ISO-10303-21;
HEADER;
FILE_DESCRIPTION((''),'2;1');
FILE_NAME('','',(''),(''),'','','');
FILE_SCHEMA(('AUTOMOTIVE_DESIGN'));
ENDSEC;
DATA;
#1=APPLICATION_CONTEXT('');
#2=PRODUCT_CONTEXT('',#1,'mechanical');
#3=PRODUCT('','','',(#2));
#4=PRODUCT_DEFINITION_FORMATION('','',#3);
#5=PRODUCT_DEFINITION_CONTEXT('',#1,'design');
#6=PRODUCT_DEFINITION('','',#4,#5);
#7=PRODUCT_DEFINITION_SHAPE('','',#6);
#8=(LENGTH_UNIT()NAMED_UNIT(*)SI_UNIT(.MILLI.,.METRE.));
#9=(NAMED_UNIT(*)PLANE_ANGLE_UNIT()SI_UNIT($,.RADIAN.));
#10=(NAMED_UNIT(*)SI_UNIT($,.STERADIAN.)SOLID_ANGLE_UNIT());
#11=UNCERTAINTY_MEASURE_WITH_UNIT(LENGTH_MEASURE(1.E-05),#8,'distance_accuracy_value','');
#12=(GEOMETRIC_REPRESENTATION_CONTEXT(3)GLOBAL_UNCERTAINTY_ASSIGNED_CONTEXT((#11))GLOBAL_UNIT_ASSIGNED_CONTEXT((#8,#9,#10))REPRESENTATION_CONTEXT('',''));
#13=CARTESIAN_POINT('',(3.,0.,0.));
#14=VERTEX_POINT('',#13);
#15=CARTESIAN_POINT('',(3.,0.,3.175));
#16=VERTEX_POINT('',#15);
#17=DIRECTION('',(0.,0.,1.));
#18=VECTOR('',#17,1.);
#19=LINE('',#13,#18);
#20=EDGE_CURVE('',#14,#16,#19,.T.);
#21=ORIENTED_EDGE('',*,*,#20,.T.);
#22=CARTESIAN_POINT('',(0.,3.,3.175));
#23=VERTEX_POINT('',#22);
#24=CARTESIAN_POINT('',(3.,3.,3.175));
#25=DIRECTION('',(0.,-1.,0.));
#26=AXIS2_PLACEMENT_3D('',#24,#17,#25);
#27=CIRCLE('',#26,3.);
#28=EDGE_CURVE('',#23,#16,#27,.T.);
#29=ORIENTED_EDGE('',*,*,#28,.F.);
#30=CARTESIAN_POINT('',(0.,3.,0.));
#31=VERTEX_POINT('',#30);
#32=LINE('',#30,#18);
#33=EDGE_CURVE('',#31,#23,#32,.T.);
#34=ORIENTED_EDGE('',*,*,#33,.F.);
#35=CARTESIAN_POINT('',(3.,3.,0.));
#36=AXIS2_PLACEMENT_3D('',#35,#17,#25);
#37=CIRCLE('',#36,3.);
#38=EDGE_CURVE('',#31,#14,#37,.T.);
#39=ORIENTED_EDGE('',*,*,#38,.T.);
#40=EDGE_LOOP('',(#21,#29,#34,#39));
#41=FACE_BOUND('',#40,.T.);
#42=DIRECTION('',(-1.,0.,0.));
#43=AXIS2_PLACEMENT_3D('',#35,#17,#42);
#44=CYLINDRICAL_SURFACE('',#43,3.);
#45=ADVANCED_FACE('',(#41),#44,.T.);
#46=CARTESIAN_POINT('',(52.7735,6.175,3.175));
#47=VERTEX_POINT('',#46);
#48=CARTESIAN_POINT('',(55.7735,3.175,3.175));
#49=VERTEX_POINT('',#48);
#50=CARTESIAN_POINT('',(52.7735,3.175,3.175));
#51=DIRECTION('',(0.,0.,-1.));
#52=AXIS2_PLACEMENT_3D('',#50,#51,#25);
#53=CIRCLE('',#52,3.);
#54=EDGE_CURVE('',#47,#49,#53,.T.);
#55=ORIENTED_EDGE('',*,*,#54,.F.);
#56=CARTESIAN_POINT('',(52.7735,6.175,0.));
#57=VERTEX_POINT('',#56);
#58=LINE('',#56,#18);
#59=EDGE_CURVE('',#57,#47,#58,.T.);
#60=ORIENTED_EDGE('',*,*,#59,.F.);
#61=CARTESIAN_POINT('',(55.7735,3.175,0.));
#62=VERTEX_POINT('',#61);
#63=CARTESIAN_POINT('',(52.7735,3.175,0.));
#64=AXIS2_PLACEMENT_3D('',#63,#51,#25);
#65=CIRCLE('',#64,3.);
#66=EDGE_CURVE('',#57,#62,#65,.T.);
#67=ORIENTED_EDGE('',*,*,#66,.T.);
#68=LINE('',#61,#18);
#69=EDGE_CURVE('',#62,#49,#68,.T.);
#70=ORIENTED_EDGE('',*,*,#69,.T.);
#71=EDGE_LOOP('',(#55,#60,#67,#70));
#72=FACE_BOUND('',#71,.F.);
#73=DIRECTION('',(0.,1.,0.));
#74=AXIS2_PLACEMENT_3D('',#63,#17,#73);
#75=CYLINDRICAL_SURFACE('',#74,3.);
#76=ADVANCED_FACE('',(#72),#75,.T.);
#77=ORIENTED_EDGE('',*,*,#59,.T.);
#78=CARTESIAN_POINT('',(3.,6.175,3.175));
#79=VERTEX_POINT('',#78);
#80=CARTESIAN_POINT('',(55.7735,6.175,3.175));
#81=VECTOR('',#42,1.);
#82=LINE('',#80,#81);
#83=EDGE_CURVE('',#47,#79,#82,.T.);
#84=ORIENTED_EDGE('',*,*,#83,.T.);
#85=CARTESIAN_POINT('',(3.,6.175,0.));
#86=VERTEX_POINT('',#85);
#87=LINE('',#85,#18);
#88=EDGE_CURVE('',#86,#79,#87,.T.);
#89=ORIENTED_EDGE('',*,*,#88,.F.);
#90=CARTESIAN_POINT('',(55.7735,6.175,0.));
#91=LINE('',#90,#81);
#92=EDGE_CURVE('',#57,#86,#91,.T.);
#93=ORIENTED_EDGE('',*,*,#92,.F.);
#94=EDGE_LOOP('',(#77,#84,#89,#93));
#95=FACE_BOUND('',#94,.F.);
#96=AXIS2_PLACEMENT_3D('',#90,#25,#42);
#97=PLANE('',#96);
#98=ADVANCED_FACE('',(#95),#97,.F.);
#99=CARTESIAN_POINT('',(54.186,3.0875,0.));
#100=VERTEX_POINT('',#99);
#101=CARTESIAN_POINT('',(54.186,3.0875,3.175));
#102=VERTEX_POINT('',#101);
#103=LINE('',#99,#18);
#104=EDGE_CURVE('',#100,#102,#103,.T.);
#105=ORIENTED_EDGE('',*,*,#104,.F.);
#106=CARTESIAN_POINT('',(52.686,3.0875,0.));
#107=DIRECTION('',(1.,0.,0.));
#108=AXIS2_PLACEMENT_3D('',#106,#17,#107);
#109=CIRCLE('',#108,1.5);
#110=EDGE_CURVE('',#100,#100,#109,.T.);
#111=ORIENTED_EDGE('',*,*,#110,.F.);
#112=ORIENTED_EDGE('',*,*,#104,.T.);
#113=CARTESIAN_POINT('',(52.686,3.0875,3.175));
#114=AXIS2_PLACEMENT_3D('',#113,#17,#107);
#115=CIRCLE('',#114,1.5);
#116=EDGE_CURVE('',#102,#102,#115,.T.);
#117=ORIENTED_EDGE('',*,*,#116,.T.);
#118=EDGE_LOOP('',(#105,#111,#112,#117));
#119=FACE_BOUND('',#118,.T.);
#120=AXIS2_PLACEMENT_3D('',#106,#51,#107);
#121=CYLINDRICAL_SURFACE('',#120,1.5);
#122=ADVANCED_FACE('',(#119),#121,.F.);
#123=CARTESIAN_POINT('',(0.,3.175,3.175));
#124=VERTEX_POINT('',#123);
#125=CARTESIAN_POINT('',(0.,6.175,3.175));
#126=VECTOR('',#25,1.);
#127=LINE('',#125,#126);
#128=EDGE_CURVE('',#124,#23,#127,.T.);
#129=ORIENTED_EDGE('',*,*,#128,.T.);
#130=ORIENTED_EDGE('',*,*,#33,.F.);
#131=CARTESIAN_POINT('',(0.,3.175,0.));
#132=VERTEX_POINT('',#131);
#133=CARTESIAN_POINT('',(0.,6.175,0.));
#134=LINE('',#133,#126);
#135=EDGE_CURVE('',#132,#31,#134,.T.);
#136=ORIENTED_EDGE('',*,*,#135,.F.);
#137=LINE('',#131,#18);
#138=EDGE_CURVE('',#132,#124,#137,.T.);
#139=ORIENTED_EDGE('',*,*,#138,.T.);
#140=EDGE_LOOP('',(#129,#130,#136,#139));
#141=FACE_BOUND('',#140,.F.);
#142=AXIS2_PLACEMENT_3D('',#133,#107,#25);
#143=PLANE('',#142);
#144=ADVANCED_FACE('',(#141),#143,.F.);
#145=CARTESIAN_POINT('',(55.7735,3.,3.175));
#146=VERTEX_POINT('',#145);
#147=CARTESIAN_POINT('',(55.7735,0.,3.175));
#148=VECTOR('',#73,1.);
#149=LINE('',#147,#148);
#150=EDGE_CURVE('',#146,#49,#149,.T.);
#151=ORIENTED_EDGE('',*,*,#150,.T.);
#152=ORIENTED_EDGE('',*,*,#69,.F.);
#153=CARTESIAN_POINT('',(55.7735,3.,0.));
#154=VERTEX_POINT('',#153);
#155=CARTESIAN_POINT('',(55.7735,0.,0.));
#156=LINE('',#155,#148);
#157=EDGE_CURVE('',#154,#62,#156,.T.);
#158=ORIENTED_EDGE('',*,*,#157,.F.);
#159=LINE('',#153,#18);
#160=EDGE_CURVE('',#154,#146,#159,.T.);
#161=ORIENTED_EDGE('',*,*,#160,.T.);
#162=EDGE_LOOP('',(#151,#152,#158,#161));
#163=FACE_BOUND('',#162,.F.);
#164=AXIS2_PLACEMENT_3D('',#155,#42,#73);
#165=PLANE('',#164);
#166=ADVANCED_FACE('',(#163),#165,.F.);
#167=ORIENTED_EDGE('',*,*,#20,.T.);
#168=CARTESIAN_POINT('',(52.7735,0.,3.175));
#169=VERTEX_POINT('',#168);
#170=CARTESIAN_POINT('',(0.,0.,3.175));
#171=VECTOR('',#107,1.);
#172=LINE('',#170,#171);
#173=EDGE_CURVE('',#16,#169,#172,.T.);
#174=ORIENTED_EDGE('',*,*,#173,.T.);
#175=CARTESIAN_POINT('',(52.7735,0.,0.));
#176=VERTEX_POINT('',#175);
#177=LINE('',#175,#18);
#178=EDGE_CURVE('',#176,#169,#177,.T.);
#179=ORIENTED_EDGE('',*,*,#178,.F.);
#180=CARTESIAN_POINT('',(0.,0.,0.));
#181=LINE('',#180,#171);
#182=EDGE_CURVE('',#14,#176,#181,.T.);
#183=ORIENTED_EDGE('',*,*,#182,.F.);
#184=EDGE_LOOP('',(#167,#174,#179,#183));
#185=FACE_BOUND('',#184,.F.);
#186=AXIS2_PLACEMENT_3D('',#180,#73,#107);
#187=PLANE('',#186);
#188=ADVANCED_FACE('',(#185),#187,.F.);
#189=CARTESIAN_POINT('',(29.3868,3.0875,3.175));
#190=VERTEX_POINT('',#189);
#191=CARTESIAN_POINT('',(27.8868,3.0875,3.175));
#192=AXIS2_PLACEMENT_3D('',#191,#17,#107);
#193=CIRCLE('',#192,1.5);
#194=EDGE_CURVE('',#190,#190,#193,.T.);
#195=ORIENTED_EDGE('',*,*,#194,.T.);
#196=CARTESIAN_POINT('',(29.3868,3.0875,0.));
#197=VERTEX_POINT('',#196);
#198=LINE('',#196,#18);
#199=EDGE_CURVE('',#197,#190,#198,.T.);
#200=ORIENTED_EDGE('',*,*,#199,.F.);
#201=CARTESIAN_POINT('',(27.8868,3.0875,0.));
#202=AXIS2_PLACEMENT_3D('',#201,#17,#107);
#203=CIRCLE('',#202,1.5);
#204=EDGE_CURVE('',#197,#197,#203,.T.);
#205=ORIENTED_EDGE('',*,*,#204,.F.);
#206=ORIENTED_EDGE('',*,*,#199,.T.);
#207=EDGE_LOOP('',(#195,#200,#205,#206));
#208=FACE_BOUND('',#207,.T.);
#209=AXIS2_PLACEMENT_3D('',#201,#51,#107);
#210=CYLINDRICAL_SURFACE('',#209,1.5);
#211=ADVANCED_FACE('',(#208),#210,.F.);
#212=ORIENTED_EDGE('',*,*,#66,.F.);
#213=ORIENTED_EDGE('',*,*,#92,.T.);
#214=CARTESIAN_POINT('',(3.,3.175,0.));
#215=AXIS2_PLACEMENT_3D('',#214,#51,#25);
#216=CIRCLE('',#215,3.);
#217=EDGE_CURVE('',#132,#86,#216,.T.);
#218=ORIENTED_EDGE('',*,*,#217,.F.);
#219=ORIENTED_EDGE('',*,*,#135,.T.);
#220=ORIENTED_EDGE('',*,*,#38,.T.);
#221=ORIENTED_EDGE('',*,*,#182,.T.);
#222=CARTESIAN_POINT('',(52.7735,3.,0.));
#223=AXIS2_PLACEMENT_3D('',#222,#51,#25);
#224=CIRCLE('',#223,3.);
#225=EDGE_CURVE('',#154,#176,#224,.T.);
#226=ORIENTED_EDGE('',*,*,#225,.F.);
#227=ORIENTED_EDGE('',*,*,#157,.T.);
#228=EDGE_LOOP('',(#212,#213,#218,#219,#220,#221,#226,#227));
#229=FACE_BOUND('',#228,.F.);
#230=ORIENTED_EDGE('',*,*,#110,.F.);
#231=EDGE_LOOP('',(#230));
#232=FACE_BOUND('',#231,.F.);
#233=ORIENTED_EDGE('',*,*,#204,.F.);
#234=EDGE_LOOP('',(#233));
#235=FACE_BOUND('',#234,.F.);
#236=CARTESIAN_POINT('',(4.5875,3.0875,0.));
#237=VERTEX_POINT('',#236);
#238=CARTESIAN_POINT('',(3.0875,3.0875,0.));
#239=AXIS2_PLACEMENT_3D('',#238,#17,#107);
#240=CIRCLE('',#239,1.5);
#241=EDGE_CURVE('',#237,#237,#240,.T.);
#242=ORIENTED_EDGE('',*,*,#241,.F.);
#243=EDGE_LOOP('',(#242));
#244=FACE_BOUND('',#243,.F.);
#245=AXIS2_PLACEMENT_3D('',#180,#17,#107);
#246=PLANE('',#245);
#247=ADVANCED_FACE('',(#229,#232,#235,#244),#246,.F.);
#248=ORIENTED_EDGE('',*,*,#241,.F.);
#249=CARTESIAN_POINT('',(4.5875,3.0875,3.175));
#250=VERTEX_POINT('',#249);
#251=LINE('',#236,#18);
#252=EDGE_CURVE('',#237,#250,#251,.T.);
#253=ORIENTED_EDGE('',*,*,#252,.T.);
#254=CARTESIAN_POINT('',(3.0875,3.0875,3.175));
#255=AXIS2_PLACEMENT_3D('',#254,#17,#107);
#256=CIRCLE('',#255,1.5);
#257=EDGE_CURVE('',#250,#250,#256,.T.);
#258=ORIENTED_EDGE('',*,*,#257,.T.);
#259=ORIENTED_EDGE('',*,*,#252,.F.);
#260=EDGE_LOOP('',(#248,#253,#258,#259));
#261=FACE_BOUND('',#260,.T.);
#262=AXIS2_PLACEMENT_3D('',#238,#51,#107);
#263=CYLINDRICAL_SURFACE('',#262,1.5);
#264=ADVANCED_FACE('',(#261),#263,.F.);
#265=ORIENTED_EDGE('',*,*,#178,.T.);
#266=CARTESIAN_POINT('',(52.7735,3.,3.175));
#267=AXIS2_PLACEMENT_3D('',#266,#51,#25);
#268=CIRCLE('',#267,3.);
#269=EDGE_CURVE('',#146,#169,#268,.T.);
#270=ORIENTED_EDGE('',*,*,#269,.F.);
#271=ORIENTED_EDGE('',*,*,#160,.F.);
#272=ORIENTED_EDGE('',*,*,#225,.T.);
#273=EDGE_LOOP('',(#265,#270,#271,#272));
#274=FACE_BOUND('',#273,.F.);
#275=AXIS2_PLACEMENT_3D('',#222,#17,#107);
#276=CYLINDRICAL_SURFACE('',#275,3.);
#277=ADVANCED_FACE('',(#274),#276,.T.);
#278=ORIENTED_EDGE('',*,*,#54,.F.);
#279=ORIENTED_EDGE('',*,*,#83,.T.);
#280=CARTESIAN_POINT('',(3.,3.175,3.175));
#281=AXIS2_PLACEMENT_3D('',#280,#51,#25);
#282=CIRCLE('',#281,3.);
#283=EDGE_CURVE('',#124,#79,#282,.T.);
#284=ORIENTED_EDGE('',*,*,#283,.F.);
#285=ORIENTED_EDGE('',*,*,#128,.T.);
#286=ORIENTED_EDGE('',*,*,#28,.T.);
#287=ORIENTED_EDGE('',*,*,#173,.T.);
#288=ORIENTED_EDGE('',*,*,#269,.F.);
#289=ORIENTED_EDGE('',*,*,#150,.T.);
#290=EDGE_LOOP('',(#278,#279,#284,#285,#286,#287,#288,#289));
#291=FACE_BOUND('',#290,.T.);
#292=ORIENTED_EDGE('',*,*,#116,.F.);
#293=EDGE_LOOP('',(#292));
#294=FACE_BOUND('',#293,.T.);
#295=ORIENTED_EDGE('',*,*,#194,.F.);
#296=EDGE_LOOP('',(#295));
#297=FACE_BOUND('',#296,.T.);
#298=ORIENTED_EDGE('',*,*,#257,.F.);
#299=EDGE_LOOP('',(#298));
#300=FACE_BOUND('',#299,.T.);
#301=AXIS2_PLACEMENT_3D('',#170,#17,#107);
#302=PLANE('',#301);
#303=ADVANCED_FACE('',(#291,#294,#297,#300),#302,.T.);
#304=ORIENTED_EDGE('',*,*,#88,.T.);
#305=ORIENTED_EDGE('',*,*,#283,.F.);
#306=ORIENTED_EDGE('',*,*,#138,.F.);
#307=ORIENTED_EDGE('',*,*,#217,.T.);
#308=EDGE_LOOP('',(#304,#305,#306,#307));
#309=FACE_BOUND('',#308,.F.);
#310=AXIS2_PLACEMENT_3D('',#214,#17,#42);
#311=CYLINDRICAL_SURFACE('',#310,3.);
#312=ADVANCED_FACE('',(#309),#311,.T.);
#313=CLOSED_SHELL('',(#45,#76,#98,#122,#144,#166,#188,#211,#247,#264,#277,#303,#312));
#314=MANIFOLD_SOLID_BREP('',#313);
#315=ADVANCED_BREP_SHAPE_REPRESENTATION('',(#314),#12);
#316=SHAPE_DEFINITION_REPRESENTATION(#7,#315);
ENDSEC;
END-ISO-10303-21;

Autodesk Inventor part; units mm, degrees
ref_plane "YZ Plane" through (0, 0, 0) normal (1, 0, 0) x (0, 1, 0)
ref_plane "XZ Plane" through (0, 0, 0) normal (0, 1, 0) x (-1, 0, 0)
ref_plane "XY Plane" through (0, 0, 0) normal (0, 0, 1) x (1, 0, 0)
sketch "Sketch1" plane through (0, 0, 0) normal (0, 0, 1) x (1, 0, 0)
  line L0 (0, 0) -> (55.7735, 0)
  line L1 (55.7735, 0) -> (55.7735, 6.175)
  line L2 (55.7735, 6.175) -> (0, 6.175)
  line L3 (0, 6.175) -> (0, 0)
  line L4 (27.8868, 6.175) -> (27.8868, 0) construction
  circle A0 centre (27.8868, 3.0875) radius 1.5
  line L5 (3.0875, 6.175) -> (3.0875, 0) construction
  line L6 (52.686, 6.175) -> (52.686, 0) construction
  circle A1 centre (3.0875, 3.0875) radius 1.5
  circle A2 centre (52.686, 3.0875) radius 1.5
  line L7 (3.0875, 3.0875) -> (0, 3.0875) construction
  line L8 (52.686, 3.0875) -> (55.7735, 3.0875) construction
  line L9 (54.1985, 3.0875) -> (54.1985, 0) construction
  dimension "d4" = 3
  dimension "d8" = 49.5986
  dimension "d10" = 6.175
extrude "Extrusion1" add sketch "Sketch1" along normal blind 3.175
fillet "Fillet1" radius 3 4 edges at (0, 6.175, 1.5875) (0, 0, 1.5875) (55.7735, 6.175, 1.5875) (55.7735, 0, 1.5875)
equation "\"d4\" = hole_size"
equation "\"d5\" = hole_size"
equation "\"arm_length\" = support_length"
equation "\"hole_size\" = 3"
equation "\"support_length\" = 58.42"
properties part number "_3DPrint"
